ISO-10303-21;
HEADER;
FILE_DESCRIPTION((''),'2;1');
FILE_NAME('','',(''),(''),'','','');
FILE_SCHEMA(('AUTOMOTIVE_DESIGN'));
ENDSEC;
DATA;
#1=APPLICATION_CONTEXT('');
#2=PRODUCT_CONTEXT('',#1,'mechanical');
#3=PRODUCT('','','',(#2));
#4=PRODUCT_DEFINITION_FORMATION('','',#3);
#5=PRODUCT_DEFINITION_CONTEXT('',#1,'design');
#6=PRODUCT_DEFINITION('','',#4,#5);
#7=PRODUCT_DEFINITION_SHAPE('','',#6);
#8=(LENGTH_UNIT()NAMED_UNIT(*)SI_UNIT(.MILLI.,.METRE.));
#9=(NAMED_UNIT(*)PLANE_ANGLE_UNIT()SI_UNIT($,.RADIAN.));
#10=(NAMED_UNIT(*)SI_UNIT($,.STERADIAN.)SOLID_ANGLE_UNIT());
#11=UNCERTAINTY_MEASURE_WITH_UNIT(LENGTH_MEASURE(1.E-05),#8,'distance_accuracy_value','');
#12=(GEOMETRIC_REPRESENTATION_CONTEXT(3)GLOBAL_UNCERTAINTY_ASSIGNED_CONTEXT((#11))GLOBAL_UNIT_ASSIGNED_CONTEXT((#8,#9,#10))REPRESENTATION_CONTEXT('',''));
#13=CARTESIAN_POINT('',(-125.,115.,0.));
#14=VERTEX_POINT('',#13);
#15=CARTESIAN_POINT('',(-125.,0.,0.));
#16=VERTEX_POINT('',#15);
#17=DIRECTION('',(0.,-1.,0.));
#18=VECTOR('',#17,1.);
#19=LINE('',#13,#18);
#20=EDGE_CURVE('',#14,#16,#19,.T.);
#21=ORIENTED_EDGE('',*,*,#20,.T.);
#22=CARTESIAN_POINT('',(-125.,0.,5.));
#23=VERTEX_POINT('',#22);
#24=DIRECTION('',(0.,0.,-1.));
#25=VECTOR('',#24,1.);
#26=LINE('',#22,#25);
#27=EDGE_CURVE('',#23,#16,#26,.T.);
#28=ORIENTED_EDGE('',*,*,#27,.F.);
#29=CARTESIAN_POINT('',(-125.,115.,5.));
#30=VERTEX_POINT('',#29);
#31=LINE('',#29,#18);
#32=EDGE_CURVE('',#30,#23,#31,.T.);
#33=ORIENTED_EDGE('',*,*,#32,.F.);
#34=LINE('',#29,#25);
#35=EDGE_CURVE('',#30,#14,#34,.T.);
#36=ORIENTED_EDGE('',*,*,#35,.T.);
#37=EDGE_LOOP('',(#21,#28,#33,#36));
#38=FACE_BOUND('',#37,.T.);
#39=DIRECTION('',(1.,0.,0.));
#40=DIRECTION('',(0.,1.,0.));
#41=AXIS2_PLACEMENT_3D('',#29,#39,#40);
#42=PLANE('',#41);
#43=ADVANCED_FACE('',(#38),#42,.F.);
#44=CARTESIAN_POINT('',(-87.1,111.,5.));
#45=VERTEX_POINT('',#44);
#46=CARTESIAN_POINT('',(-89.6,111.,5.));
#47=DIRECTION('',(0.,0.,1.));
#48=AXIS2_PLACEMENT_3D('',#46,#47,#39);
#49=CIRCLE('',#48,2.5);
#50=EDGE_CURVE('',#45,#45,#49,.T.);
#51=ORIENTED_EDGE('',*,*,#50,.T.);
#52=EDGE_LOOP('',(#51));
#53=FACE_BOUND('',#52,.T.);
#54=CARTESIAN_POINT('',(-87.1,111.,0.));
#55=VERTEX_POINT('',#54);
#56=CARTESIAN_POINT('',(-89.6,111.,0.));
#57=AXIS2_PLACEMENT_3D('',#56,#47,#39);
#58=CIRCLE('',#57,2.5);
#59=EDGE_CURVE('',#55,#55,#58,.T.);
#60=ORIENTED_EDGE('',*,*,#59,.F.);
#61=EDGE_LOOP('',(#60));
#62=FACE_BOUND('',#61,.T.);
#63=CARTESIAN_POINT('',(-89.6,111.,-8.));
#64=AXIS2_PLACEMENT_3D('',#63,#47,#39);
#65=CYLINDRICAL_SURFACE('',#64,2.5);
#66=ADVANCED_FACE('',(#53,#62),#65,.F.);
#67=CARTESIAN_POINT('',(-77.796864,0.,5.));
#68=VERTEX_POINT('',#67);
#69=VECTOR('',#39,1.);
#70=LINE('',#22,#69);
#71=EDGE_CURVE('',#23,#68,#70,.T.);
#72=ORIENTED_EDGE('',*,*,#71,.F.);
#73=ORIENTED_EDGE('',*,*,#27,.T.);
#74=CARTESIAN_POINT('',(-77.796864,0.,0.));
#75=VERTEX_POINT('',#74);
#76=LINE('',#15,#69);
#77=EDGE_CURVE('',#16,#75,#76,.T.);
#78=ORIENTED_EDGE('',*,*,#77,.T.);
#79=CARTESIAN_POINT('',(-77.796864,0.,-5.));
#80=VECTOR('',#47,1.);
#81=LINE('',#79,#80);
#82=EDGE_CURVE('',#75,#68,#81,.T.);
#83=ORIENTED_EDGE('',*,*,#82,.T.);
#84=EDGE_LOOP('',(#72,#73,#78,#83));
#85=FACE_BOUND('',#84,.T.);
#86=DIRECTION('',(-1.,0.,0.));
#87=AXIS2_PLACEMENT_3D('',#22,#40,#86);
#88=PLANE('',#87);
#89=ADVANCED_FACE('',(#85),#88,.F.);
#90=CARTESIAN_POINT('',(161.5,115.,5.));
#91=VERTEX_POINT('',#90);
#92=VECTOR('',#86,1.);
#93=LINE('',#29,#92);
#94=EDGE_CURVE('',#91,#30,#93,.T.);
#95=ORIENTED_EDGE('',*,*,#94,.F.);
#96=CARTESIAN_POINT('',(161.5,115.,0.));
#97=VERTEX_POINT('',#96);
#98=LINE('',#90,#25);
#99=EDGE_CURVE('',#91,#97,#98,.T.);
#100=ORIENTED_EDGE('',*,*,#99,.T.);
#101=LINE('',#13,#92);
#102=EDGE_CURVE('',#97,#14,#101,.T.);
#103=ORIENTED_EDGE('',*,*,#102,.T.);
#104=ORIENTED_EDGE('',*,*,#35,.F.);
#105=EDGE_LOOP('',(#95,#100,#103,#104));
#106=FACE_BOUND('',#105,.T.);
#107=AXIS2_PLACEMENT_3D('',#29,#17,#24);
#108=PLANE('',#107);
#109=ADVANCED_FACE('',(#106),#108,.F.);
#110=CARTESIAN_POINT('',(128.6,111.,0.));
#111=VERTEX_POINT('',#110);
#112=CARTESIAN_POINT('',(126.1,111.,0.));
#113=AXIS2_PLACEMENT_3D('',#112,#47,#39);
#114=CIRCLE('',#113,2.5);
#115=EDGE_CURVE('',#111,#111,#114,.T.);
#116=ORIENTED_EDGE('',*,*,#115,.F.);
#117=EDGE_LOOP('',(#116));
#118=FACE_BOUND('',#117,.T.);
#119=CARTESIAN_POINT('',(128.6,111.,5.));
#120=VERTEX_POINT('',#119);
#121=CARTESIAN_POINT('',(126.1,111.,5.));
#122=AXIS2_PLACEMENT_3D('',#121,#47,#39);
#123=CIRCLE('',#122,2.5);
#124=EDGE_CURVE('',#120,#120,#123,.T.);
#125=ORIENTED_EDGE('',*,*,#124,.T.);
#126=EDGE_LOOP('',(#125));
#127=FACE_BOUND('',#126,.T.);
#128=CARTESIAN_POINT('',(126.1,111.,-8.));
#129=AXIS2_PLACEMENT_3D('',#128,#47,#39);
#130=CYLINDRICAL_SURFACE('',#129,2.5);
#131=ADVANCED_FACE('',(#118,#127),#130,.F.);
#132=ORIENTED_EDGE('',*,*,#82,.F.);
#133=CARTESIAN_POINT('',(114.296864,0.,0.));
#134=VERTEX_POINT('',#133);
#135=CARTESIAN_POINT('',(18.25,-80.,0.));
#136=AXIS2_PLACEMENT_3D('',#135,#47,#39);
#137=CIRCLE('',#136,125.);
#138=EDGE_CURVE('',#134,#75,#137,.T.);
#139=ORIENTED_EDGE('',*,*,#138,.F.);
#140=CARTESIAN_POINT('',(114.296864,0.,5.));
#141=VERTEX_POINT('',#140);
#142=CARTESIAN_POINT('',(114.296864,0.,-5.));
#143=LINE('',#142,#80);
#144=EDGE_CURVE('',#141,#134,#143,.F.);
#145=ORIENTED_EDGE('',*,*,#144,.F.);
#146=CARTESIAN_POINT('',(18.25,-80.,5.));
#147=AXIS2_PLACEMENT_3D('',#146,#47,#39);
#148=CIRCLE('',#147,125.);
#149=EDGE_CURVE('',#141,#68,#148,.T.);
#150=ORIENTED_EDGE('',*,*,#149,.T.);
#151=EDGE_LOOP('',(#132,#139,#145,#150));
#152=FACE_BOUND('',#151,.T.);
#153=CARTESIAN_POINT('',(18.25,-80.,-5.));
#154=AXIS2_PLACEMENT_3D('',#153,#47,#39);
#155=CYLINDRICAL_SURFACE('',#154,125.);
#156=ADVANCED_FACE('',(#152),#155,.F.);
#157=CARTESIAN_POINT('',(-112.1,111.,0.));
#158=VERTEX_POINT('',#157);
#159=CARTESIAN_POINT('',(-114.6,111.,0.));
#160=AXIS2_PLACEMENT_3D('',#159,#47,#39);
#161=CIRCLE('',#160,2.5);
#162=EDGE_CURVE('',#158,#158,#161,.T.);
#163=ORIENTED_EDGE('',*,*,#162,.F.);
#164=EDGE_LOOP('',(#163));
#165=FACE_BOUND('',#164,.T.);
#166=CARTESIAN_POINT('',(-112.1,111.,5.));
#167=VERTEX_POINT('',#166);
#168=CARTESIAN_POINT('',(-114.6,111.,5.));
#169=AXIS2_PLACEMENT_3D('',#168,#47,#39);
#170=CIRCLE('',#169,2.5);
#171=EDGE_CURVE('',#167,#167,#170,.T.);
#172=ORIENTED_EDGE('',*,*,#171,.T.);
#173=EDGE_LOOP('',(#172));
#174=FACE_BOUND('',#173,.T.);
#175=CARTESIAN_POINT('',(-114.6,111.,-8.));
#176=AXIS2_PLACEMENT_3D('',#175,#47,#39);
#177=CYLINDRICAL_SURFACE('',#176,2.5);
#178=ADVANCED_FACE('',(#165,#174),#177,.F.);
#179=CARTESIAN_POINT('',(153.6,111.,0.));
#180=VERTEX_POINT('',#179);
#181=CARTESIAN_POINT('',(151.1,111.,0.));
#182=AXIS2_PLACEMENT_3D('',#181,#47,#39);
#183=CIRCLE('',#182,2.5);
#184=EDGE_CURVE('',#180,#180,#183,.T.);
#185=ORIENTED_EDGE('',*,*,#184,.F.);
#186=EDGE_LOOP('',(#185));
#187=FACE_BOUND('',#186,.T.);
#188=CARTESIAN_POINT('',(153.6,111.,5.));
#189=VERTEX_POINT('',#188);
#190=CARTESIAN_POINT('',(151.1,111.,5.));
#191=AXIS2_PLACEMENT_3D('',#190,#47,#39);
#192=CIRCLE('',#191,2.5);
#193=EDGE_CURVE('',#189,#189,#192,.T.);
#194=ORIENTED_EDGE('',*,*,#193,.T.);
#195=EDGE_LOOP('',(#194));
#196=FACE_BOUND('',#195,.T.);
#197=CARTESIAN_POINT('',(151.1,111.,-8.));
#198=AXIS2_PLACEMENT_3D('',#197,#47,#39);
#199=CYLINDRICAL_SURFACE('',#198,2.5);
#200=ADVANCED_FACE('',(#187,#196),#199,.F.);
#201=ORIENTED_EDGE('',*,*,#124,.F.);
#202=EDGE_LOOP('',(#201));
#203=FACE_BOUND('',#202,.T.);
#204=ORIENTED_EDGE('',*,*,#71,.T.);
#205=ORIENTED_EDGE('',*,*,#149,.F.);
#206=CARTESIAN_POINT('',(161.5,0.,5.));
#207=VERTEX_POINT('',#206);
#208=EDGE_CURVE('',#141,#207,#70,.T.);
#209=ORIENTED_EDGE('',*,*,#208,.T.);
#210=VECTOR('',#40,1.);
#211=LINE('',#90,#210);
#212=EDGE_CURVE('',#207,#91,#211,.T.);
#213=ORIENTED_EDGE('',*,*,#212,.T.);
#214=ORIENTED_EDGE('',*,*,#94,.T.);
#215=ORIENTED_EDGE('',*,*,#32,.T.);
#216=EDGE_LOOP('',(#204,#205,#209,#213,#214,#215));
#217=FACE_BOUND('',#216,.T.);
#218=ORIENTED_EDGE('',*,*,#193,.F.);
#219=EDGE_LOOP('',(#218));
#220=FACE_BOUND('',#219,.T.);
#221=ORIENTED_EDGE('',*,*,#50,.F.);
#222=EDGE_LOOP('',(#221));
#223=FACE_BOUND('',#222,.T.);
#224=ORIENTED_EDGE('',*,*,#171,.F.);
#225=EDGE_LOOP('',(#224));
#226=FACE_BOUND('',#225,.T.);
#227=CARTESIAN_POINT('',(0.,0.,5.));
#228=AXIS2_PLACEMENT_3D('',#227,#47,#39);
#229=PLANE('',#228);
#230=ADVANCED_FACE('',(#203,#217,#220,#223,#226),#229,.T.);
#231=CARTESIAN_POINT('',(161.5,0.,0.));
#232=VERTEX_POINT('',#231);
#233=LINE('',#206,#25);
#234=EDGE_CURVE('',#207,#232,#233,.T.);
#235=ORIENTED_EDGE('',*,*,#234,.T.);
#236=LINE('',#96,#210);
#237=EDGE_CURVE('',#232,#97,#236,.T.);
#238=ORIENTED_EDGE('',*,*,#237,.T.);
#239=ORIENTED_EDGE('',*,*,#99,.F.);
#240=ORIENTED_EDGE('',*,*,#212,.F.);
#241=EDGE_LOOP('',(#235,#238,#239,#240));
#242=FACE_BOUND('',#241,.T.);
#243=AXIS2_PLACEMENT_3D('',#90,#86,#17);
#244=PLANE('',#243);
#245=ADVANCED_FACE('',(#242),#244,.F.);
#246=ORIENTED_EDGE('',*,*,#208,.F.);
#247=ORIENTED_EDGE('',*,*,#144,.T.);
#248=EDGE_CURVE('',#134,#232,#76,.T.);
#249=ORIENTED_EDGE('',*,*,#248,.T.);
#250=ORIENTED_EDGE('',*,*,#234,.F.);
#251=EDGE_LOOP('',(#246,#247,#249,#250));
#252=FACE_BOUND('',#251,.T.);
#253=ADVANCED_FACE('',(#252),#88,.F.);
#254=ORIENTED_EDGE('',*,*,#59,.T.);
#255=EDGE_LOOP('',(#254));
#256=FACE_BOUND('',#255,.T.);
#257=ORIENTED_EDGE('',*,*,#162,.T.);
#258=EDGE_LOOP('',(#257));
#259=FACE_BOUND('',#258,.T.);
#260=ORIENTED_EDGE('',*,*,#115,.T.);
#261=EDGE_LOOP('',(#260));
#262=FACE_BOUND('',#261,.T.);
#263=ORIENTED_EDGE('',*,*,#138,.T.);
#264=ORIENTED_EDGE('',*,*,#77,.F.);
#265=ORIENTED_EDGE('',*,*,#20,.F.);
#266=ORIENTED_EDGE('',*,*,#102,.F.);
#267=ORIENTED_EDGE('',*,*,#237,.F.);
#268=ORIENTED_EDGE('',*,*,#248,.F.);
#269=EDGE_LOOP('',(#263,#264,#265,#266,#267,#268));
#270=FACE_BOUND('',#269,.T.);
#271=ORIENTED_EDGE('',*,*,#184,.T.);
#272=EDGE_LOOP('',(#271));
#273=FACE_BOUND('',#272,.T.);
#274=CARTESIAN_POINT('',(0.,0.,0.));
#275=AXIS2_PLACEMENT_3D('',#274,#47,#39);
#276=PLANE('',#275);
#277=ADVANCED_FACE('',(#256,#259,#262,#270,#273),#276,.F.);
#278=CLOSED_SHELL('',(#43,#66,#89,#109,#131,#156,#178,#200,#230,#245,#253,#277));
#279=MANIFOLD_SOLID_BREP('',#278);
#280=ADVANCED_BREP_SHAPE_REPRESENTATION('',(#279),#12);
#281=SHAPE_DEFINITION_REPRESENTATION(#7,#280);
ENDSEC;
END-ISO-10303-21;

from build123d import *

# Parameters (mm, degrees)
SKETCH6_W           = 286.5
SKETCH6_H           = 115
BOSS_EXTRUDE3_DEPTH = 5
SKETCH7_R           = 2.5
CUT_EXTRUDE1_DEPTH  = 13
SKETCH8_R           = 125
CUT_EXTRUDE4_DEPTH  = 10


with BuildPart() as part:
    # Sketch6 → Boss-Extrude3 (new body)
    with BuildSketch(Plane.XY):
        with Locations((18.25, 57.5)):
            Rectangle(SKETCH6_W, SKETCH6_H)
    extrude(amount=BOSS_EXTRUDE3_DEPTH)

    # Sketch7 → Cut-Extrude1 (cut)
    with BuildSketch(Plane.XY.offset(5)):
        with Locations((151.1, 111)):
            Circle(SKETCH7_R)
        with Locations((126.1, 111)):
            Circle(SKETCH7_R)
        with Locations((-114.6, 111)):
            Circle(SKETCH7_R)
        with Locations((-89.6, 111)):
            Circle(SKETCH7_R)
    extrude(amount=-CUT_EXTRUDE1_DEPTH, mode=Mode.SUBTRACT)

    # Sketch8 → Cut-Extrude4 (cut)
    with BuildSketch(Plane.XY.offset(5)):
        with Locations((18.25, -80)):
            Circle(SKETCH8_R)
    extrude(amount=-CUT_EXTRUDE4_DEPTH, mode=Mode.SUBTRACT)


solid = part.part
